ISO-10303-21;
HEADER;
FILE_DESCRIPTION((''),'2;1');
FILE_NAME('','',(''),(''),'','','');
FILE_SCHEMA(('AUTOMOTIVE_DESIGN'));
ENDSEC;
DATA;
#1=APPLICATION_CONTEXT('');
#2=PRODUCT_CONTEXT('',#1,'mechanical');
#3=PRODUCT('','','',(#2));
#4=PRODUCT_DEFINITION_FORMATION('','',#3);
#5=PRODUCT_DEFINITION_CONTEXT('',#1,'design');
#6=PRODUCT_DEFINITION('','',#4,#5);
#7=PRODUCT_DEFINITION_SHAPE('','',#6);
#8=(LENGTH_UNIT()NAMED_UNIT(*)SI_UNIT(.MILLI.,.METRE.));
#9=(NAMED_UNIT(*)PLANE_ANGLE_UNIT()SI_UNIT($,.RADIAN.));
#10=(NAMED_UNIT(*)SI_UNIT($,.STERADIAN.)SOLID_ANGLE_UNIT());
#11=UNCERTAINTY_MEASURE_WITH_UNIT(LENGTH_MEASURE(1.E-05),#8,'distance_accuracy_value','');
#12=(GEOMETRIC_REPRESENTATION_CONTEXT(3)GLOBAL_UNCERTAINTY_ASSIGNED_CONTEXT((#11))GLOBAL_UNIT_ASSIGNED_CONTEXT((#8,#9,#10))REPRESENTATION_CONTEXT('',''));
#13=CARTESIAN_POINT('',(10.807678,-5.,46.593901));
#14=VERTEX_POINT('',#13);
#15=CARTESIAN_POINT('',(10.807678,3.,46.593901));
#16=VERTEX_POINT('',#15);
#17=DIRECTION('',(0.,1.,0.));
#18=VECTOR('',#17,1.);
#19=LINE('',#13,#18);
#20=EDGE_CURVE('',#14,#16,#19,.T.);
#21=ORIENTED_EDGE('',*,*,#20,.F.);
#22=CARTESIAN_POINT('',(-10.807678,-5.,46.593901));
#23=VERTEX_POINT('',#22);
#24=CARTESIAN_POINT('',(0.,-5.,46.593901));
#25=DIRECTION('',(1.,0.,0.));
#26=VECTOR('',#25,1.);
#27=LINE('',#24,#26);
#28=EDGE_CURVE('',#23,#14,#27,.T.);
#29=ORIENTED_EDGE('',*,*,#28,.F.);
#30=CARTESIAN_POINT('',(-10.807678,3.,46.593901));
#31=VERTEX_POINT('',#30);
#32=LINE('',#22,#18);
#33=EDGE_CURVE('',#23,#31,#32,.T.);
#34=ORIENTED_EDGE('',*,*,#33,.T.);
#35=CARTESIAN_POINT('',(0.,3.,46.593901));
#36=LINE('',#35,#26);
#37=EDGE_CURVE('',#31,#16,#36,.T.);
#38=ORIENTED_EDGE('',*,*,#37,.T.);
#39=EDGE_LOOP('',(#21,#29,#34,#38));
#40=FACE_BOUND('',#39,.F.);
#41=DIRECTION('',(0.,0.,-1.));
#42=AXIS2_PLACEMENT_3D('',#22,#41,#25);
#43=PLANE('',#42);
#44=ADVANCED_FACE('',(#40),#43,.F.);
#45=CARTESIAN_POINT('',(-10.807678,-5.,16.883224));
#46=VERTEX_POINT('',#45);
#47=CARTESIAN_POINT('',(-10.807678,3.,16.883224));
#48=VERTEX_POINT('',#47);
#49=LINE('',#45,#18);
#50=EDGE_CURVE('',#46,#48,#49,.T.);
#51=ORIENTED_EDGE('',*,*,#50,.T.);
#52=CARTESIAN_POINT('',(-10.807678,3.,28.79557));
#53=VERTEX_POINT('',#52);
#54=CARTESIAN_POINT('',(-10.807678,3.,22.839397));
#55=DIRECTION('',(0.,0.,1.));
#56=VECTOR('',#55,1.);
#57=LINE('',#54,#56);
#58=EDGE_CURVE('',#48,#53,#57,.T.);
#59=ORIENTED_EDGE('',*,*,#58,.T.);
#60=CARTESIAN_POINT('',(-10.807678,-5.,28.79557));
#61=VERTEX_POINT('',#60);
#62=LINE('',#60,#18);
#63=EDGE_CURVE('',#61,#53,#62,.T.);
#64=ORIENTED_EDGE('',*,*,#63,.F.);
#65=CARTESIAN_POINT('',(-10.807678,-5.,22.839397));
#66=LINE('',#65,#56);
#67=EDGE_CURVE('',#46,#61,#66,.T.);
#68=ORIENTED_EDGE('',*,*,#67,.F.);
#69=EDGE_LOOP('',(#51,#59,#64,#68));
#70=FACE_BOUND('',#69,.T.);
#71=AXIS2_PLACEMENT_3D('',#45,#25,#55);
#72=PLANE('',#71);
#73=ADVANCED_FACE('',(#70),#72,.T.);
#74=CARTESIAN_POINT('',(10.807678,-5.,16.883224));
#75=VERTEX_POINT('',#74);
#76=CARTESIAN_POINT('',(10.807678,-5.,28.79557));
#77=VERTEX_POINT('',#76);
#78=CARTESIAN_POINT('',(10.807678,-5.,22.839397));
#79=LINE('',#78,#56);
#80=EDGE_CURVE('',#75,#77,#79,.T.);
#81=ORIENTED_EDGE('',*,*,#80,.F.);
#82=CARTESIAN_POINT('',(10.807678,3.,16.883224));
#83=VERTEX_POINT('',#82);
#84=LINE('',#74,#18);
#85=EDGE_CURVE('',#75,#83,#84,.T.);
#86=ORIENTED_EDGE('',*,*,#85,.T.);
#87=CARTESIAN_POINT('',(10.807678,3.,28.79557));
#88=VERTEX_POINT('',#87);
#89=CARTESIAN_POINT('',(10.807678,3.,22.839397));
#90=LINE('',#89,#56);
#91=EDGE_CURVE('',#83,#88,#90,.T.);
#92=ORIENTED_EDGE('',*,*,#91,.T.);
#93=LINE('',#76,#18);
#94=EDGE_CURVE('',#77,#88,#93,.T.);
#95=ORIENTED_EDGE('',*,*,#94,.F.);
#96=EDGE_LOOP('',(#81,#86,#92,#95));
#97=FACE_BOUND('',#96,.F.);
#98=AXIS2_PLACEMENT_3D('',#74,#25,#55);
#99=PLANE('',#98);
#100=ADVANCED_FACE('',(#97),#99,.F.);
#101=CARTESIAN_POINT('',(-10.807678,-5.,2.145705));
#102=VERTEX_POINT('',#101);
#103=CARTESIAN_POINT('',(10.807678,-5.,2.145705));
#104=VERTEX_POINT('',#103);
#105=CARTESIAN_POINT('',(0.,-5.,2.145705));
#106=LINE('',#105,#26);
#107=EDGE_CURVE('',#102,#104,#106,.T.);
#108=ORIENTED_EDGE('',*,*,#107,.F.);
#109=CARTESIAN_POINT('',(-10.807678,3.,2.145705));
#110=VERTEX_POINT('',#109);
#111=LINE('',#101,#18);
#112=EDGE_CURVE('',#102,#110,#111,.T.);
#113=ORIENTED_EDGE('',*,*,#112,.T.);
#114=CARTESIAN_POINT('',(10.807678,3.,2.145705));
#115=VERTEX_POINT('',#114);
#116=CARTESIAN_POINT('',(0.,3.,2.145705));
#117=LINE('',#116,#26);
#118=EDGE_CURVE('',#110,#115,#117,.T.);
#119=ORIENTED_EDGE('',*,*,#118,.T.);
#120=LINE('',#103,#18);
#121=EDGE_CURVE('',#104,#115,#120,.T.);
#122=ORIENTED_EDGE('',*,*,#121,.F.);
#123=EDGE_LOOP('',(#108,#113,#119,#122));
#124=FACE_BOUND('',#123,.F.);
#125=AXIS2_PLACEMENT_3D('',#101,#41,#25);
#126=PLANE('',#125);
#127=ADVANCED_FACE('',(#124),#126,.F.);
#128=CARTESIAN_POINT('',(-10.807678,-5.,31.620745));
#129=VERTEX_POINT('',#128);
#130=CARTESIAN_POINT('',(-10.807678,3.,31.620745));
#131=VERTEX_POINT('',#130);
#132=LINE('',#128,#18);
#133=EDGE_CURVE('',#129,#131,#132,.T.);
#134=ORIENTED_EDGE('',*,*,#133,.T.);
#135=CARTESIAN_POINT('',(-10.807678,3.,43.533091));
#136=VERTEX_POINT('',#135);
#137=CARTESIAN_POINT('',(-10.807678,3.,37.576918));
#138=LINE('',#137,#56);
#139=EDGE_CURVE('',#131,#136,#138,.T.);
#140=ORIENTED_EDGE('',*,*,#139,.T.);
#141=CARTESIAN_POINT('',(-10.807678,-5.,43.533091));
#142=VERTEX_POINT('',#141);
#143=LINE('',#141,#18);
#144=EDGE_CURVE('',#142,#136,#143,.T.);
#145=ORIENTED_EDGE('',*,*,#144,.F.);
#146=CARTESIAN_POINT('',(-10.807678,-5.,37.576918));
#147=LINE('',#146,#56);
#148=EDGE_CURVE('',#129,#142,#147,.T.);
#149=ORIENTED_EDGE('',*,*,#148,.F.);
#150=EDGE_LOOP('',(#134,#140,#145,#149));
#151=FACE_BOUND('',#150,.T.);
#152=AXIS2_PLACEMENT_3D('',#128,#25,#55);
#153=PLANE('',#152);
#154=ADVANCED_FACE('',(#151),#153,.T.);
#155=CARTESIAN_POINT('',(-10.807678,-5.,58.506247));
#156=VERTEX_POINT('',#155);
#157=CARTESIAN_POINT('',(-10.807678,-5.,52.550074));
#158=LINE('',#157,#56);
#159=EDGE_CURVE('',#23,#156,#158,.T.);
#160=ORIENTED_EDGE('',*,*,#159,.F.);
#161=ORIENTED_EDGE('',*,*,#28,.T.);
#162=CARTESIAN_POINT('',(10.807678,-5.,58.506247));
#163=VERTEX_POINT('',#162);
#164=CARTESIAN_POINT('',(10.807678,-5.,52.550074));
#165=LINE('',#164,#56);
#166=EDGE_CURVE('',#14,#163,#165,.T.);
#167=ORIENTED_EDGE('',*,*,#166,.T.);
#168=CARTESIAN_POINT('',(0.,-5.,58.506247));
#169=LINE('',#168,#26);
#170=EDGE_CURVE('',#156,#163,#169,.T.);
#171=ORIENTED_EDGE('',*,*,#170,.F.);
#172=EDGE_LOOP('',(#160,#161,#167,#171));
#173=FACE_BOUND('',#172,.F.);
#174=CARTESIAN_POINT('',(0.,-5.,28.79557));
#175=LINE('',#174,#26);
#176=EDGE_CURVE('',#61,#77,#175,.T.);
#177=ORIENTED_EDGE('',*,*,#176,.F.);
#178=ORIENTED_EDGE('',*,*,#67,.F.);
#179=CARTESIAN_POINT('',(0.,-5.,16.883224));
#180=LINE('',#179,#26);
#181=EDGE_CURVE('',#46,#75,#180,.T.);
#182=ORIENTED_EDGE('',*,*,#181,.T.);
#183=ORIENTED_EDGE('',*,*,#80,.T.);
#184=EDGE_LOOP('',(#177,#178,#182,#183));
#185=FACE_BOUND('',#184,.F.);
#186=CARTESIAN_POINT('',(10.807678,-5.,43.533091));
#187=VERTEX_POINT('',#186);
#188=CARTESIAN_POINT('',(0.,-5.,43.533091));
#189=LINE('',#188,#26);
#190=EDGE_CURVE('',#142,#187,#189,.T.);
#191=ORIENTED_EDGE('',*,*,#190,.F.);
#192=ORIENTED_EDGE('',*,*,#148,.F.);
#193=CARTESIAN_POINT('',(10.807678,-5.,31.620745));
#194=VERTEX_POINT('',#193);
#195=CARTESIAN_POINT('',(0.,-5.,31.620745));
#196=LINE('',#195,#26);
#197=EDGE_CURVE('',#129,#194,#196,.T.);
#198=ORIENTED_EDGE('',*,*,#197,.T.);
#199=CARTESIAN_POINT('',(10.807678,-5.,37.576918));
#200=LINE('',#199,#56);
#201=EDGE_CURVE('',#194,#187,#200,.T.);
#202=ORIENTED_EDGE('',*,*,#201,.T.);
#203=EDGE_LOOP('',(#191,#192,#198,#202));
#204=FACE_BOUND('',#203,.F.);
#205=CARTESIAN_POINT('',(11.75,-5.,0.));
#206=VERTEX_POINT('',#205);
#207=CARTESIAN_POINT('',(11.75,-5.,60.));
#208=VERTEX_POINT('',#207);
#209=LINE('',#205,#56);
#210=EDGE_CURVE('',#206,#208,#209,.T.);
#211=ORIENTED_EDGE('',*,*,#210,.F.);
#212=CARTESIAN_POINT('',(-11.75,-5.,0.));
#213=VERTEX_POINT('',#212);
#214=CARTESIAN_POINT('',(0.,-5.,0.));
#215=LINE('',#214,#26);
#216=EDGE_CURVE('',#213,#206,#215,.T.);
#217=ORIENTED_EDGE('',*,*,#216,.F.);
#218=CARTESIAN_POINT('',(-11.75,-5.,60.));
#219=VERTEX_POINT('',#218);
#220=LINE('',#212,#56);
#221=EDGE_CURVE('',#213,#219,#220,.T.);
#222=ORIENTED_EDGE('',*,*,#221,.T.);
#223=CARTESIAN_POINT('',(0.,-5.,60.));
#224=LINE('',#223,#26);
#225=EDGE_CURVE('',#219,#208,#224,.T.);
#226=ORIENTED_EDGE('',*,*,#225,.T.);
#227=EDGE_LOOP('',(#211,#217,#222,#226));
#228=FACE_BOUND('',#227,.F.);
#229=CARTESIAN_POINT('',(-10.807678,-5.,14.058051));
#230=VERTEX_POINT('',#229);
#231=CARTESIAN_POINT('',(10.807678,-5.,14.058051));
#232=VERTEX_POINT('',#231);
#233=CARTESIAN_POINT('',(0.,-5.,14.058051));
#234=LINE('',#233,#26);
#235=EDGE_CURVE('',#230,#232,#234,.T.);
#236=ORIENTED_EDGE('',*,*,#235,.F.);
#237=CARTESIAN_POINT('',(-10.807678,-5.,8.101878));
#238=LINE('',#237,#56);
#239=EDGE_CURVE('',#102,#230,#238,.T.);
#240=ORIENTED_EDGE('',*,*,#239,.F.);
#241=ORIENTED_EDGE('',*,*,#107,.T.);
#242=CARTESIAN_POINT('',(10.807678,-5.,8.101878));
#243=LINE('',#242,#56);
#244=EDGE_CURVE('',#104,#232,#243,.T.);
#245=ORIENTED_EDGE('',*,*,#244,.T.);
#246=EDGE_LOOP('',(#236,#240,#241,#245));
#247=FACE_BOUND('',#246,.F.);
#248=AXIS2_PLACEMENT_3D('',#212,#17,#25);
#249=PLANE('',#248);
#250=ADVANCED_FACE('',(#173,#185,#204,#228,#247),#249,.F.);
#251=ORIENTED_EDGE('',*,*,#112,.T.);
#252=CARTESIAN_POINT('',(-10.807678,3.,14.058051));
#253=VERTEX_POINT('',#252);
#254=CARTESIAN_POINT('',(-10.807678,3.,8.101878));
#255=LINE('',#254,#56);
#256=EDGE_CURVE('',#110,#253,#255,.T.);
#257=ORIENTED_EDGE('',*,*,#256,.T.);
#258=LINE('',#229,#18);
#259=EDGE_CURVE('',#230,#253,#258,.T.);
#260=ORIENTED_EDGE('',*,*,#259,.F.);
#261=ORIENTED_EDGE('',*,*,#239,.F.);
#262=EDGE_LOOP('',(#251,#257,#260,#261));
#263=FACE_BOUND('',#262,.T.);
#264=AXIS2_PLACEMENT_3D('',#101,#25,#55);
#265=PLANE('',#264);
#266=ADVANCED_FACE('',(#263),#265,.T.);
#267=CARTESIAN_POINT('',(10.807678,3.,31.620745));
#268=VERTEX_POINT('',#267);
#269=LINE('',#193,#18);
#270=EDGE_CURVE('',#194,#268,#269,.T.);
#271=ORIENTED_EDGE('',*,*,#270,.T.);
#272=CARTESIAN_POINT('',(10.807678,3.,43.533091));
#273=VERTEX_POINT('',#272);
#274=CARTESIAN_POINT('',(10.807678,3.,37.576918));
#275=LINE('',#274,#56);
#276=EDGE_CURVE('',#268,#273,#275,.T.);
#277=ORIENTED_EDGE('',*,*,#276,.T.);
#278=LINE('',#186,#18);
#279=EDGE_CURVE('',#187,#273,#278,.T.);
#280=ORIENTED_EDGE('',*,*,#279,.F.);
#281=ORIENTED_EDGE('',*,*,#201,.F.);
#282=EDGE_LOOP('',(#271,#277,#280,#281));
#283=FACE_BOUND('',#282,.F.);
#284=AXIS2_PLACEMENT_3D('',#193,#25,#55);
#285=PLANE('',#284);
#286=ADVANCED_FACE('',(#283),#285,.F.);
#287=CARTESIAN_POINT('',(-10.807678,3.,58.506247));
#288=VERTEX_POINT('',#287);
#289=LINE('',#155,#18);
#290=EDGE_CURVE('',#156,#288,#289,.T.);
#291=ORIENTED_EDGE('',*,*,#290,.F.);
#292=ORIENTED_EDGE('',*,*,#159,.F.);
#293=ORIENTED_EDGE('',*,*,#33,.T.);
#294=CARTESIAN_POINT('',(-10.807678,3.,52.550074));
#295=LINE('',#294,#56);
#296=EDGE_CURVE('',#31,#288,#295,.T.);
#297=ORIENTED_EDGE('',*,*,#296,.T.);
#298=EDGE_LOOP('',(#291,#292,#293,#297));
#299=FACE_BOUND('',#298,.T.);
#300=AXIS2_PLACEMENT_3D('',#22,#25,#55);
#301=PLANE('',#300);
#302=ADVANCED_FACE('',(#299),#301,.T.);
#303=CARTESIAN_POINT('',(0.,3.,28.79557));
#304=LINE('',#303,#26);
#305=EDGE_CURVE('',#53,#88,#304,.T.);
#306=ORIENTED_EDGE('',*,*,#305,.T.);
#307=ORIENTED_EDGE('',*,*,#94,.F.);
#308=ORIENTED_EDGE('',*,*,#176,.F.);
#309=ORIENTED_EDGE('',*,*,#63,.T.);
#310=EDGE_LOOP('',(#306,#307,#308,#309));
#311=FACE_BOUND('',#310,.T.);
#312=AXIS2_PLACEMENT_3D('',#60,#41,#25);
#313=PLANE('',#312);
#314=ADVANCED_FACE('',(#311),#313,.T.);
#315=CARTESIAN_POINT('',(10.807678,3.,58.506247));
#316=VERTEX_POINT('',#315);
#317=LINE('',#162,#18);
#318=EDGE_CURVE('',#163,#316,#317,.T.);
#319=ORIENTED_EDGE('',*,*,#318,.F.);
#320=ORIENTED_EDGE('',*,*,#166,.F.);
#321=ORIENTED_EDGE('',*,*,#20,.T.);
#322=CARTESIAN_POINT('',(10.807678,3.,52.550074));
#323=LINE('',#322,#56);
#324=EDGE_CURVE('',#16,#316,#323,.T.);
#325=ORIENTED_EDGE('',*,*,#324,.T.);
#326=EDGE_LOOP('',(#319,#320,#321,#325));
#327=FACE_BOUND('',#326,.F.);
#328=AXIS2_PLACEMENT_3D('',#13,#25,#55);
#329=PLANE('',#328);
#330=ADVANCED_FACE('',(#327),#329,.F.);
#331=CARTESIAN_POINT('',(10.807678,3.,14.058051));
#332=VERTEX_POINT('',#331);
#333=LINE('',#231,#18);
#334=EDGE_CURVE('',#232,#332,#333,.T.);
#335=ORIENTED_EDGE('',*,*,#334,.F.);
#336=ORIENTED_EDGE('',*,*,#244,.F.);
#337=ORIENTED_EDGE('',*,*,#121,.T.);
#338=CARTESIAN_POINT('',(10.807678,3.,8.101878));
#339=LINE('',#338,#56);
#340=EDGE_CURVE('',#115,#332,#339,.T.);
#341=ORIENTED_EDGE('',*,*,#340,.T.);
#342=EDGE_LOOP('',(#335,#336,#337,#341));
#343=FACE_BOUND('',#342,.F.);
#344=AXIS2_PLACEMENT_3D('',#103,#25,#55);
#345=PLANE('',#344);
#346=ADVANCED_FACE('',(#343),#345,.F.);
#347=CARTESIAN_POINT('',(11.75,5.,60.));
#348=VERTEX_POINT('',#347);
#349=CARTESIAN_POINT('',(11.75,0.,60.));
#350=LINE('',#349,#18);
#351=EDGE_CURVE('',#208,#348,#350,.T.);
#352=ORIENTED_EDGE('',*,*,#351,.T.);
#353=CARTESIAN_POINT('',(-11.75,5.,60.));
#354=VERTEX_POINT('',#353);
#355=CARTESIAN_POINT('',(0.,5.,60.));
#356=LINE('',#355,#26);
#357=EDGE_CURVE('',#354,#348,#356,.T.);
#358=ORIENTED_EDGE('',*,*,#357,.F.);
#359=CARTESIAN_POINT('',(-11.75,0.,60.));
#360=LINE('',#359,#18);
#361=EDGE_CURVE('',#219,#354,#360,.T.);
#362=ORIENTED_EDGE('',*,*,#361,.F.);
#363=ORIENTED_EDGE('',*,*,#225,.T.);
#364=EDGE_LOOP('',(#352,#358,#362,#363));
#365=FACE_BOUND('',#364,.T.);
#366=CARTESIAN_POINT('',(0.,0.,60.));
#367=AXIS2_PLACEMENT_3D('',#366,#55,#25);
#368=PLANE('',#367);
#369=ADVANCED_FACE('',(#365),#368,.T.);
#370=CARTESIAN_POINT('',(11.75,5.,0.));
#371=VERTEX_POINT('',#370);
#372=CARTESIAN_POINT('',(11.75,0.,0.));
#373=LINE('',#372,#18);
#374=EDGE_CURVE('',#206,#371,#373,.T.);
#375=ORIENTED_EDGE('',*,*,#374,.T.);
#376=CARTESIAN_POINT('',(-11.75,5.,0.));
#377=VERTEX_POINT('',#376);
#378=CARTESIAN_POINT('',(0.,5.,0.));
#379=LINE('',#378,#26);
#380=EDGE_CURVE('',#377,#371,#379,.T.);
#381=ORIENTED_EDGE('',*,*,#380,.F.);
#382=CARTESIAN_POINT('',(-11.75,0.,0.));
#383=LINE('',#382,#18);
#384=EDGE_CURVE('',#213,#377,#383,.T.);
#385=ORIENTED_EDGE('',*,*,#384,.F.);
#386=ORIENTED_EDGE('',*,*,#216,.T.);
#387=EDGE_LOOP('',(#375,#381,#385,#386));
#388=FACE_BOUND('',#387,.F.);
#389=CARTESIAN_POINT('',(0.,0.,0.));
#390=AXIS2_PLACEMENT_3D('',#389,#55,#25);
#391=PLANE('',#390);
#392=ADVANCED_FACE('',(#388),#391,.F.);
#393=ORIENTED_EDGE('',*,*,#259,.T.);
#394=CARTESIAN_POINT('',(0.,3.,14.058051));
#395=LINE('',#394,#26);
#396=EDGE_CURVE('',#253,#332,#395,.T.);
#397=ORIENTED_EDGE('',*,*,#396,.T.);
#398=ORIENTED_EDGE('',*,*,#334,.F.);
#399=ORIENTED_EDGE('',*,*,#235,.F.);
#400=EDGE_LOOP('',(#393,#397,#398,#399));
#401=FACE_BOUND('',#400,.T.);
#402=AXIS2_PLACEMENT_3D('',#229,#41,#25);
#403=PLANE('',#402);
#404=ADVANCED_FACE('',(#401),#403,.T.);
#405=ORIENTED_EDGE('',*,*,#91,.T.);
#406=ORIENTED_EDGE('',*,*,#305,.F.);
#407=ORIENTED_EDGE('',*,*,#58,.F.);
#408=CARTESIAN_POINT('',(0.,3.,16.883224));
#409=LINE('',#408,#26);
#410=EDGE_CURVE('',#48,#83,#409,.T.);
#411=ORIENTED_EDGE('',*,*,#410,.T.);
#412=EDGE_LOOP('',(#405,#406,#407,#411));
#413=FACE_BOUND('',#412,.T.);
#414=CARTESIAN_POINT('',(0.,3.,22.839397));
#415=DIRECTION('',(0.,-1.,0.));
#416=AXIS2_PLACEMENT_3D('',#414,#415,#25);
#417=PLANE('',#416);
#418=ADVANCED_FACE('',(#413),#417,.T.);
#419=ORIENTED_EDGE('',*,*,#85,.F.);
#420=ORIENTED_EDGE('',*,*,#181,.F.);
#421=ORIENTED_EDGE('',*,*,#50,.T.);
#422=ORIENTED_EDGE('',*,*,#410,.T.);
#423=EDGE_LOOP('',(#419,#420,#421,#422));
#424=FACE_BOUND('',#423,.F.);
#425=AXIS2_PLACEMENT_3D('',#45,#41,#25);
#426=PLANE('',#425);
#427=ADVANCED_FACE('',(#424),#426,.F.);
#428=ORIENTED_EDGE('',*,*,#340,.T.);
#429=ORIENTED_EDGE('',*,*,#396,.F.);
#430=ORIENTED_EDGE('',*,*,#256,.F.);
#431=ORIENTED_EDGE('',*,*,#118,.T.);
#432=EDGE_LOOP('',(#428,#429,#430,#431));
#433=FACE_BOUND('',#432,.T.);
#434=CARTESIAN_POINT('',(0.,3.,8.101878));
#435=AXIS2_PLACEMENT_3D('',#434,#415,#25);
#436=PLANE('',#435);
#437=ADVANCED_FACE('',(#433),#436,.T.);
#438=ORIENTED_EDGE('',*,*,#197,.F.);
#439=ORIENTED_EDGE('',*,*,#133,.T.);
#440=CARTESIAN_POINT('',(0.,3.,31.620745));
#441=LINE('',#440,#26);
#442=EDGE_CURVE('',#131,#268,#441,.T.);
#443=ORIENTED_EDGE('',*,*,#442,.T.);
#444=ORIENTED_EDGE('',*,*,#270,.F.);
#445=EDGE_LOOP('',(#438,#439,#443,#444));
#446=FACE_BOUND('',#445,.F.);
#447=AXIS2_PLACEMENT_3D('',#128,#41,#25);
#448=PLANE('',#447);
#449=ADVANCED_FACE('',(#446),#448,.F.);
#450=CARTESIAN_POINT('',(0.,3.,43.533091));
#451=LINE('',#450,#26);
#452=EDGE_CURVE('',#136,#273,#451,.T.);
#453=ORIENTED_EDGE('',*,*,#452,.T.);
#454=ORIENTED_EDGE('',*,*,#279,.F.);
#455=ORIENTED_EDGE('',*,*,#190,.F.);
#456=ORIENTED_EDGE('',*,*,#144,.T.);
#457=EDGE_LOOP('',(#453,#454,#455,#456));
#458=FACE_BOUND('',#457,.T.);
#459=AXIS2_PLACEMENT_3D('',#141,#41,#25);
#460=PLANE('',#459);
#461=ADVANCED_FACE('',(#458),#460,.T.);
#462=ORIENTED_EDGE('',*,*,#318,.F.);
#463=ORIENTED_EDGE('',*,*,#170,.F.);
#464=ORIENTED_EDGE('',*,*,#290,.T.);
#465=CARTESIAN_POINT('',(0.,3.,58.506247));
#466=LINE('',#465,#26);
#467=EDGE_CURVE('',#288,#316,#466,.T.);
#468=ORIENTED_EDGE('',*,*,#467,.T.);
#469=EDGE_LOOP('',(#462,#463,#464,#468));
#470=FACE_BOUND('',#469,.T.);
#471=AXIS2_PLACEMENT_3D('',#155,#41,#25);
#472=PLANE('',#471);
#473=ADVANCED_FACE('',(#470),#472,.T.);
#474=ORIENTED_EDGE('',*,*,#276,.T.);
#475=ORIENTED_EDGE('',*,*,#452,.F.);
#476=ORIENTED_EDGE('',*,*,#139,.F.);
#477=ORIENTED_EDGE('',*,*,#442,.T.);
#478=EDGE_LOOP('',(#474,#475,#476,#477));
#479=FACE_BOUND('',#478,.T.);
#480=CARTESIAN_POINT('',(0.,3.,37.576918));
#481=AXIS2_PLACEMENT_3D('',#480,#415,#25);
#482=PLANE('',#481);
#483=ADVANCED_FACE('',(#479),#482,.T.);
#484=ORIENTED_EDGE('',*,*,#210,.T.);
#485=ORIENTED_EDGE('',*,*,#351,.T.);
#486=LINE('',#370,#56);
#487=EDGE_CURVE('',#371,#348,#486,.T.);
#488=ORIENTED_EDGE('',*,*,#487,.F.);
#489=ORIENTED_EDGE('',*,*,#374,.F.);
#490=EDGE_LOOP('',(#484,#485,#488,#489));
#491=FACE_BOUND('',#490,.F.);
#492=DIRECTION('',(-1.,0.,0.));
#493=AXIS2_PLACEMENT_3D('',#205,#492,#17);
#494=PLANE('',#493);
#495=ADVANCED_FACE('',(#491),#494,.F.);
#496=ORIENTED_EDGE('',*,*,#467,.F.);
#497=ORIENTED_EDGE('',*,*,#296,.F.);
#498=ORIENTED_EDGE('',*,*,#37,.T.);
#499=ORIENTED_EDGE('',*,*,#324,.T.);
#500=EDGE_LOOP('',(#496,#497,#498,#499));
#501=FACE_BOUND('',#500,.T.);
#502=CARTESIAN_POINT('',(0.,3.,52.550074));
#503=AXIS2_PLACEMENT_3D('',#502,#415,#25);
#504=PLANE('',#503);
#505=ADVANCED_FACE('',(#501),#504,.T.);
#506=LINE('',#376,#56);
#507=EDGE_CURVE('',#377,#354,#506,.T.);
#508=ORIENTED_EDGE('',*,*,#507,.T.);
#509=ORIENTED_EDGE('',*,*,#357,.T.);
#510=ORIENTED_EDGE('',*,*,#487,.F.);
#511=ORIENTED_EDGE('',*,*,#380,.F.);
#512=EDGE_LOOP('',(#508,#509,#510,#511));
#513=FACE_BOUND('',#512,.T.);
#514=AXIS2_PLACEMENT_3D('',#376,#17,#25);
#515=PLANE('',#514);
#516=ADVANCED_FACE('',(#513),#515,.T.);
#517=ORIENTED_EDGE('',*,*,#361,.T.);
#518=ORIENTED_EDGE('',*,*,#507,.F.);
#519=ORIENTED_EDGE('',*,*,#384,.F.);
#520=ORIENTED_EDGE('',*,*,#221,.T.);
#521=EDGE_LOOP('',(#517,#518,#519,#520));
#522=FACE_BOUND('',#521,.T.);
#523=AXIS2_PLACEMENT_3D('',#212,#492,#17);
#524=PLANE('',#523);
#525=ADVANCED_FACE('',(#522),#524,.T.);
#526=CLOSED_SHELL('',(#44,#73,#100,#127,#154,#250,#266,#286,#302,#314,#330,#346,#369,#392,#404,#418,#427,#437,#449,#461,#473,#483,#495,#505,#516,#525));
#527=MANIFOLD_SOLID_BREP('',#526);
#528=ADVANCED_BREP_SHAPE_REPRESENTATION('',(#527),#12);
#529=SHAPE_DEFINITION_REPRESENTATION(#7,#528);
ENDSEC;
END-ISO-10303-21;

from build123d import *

# Parameters (mm, degrees)
F0_W     = 23.5
F0_H     = 10
F1_DEPTH = 60
F2_W     = 21.615356
F2_H     = 11.912346
F3_DEPTH = 8


with BuildPart() as f1:
    # F0 (on Top) → F1 (new body)
    with BuildSketch(Plane.XY):
        Rectangle(F0_W, F0_H)
    extrude(amount=F1_DEPTH)

    # F2 (on face) → F3 (cut)
    with BuildSketch(Plane.XZ.offset(5)):
        with Locations((0, 52.550074)):
            Rectangle(F2_W, F2_H)
        with Locations((0, 37.576918)):
            Rectangle(F2_W, F2_H)
        with Locations((0, 22.839397)):
            Rectangle(F2_W, F2_H)
        with Locations((0, 8.101878)):
            Rectangle(F2_W, F2_H)
    extrude(amount=-F3_DEPTH, mode=Mode.SUBTRACT)


solid = f1.part
